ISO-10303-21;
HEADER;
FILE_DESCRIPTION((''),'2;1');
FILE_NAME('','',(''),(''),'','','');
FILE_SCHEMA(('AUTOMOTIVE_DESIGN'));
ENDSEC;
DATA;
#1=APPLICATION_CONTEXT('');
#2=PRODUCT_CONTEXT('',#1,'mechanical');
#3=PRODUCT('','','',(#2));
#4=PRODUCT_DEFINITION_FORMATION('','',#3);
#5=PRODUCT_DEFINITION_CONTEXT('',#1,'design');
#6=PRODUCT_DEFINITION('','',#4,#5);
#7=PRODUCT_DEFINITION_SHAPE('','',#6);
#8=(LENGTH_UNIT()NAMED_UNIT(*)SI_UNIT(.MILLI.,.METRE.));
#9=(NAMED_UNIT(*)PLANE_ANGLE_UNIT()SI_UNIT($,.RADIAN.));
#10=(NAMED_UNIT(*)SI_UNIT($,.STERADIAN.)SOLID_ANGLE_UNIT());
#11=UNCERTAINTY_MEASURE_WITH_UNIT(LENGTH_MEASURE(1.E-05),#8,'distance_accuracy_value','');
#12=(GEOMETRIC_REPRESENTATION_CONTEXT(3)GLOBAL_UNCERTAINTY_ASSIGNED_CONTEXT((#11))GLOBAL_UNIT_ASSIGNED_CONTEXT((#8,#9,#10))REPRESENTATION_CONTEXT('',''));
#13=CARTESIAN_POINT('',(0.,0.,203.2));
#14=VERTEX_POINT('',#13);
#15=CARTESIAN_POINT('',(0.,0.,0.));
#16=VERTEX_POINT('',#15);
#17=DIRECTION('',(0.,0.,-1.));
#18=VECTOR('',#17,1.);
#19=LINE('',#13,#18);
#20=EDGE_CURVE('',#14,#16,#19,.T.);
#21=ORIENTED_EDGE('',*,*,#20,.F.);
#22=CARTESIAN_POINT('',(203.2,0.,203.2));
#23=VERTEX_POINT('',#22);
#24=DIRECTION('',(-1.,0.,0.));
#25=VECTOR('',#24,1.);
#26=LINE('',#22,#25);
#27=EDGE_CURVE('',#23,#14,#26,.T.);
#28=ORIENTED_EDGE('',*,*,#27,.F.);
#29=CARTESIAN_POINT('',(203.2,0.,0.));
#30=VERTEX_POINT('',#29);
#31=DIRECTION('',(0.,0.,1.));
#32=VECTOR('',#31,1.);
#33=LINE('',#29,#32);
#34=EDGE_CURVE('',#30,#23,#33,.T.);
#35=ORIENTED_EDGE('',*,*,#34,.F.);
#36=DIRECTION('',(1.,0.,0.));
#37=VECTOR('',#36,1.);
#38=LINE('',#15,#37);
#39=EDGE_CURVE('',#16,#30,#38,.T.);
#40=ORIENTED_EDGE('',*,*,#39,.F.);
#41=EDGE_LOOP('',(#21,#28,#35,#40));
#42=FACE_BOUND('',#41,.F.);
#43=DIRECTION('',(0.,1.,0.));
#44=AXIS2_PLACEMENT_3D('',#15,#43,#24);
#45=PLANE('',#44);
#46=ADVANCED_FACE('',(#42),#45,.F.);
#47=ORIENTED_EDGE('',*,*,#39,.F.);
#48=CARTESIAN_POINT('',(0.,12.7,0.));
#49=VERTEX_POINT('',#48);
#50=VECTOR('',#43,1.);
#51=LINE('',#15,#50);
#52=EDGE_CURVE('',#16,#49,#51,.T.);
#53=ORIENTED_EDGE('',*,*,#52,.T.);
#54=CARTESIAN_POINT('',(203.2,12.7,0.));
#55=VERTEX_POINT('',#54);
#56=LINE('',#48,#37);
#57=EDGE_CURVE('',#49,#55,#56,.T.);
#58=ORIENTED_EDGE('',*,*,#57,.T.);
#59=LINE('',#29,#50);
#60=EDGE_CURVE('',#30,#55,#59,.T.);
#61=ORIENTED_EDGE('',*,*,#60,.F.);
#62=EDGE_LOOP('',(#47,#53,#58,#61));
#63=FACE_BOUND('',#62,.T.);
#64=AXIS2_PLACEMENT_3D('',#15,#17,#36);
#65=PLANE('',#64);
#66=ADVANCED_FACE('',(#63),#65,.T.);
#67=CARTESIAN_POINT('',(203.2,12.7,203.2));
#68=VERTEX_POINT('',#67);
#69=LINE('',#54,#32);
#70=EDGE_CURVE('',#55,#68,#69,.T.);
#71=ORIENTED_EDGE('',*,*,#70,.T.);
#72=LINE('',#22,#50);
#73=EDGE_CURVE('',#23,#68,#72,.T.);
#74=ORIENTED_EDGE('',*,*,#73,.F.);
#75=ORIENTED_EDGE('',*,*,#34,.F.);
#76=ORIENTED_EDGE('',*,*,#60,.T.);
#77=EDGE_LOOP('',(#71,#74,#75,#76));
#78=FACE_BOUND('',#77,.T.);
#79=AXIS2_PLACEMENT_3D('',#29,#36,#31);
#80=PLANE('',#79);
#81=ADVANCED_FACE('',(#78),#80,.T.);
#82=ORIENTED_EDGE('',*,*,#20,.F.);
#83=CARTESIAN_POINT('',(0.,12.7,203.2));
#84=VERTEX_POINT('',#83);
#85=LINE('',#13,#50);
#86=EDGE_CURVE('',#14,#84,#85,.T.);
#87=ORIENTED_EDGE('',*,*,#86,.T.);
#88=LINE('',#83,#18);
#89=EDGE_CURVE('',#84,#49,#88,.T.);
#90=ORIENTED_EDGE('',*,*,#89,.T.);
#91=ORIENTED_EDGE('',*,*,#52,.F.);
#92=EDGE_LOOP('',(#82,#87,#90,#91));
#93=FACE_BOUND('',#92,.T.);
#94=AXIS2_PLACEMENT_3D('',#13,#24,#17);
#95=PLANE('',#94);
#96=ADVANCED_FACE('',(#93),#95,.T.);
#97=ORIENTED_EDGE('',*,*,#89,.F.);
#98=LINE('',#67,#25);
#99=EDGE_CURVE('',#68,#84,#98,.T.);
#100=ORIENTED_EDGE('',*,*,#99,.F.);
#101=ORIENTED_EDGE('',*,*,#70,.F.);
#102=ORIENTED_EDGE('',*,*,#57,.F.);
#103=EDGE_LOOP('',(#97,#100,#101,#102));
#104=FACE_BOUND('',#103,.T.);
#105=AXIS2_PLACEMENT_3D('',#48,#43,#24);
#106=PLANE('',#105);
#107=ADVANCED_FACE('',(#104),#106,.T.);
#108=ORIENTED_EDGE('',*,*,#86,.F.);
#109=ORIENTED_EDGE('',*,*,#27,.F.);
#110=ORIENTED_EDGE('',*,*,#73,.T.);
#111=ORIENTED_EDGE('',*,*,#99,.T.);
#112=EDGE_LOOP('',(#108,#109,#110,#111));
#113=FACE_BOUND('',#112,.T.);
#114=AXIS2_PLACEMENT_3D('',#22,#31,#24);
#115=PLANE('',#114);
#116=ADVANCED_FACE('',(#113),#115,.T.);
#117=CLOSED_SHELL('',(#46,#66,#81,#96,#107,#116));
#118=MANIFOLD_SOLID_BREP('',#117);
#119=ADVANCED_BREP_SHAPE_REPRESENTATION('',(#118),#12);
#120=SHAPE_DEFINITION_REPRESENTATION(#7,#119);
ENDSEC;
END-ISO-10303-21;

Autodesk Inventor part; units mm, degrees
ref_plane "YZ Plane" through (0, 0, 0) normal (1, 0, 0) x (0, 1, 0)
ref_plane "XZ Plane" through (0, 0, 0) normal (0, 1, 0) x (-1, 0, 0)
ref_plane "XY Plane" through (0, 0, 0) normal (0, 0, 1) x (1, 0, 0)
sketch "SketchTable" plane through (0, 0, 0) normal (0, 1, 0) x (-1, 0, 0)
  line L0 (0, 0) -> (-203.2, 0)
  line L1 (-203.2, 0) -> (-203.2, 203.2)
  line L2 (-203.2, 203.2) -> (0, 203.2)
  line L3 (0, 203.2) -> (0, 0)
  dimension "d0" = 203.2
  dimension "d1" = 203.2
extrude "Extrusion1" add sketch "SketchTable" along normal blind 12.7
properties part number "Tripod_Table" material "Polypropylene"
